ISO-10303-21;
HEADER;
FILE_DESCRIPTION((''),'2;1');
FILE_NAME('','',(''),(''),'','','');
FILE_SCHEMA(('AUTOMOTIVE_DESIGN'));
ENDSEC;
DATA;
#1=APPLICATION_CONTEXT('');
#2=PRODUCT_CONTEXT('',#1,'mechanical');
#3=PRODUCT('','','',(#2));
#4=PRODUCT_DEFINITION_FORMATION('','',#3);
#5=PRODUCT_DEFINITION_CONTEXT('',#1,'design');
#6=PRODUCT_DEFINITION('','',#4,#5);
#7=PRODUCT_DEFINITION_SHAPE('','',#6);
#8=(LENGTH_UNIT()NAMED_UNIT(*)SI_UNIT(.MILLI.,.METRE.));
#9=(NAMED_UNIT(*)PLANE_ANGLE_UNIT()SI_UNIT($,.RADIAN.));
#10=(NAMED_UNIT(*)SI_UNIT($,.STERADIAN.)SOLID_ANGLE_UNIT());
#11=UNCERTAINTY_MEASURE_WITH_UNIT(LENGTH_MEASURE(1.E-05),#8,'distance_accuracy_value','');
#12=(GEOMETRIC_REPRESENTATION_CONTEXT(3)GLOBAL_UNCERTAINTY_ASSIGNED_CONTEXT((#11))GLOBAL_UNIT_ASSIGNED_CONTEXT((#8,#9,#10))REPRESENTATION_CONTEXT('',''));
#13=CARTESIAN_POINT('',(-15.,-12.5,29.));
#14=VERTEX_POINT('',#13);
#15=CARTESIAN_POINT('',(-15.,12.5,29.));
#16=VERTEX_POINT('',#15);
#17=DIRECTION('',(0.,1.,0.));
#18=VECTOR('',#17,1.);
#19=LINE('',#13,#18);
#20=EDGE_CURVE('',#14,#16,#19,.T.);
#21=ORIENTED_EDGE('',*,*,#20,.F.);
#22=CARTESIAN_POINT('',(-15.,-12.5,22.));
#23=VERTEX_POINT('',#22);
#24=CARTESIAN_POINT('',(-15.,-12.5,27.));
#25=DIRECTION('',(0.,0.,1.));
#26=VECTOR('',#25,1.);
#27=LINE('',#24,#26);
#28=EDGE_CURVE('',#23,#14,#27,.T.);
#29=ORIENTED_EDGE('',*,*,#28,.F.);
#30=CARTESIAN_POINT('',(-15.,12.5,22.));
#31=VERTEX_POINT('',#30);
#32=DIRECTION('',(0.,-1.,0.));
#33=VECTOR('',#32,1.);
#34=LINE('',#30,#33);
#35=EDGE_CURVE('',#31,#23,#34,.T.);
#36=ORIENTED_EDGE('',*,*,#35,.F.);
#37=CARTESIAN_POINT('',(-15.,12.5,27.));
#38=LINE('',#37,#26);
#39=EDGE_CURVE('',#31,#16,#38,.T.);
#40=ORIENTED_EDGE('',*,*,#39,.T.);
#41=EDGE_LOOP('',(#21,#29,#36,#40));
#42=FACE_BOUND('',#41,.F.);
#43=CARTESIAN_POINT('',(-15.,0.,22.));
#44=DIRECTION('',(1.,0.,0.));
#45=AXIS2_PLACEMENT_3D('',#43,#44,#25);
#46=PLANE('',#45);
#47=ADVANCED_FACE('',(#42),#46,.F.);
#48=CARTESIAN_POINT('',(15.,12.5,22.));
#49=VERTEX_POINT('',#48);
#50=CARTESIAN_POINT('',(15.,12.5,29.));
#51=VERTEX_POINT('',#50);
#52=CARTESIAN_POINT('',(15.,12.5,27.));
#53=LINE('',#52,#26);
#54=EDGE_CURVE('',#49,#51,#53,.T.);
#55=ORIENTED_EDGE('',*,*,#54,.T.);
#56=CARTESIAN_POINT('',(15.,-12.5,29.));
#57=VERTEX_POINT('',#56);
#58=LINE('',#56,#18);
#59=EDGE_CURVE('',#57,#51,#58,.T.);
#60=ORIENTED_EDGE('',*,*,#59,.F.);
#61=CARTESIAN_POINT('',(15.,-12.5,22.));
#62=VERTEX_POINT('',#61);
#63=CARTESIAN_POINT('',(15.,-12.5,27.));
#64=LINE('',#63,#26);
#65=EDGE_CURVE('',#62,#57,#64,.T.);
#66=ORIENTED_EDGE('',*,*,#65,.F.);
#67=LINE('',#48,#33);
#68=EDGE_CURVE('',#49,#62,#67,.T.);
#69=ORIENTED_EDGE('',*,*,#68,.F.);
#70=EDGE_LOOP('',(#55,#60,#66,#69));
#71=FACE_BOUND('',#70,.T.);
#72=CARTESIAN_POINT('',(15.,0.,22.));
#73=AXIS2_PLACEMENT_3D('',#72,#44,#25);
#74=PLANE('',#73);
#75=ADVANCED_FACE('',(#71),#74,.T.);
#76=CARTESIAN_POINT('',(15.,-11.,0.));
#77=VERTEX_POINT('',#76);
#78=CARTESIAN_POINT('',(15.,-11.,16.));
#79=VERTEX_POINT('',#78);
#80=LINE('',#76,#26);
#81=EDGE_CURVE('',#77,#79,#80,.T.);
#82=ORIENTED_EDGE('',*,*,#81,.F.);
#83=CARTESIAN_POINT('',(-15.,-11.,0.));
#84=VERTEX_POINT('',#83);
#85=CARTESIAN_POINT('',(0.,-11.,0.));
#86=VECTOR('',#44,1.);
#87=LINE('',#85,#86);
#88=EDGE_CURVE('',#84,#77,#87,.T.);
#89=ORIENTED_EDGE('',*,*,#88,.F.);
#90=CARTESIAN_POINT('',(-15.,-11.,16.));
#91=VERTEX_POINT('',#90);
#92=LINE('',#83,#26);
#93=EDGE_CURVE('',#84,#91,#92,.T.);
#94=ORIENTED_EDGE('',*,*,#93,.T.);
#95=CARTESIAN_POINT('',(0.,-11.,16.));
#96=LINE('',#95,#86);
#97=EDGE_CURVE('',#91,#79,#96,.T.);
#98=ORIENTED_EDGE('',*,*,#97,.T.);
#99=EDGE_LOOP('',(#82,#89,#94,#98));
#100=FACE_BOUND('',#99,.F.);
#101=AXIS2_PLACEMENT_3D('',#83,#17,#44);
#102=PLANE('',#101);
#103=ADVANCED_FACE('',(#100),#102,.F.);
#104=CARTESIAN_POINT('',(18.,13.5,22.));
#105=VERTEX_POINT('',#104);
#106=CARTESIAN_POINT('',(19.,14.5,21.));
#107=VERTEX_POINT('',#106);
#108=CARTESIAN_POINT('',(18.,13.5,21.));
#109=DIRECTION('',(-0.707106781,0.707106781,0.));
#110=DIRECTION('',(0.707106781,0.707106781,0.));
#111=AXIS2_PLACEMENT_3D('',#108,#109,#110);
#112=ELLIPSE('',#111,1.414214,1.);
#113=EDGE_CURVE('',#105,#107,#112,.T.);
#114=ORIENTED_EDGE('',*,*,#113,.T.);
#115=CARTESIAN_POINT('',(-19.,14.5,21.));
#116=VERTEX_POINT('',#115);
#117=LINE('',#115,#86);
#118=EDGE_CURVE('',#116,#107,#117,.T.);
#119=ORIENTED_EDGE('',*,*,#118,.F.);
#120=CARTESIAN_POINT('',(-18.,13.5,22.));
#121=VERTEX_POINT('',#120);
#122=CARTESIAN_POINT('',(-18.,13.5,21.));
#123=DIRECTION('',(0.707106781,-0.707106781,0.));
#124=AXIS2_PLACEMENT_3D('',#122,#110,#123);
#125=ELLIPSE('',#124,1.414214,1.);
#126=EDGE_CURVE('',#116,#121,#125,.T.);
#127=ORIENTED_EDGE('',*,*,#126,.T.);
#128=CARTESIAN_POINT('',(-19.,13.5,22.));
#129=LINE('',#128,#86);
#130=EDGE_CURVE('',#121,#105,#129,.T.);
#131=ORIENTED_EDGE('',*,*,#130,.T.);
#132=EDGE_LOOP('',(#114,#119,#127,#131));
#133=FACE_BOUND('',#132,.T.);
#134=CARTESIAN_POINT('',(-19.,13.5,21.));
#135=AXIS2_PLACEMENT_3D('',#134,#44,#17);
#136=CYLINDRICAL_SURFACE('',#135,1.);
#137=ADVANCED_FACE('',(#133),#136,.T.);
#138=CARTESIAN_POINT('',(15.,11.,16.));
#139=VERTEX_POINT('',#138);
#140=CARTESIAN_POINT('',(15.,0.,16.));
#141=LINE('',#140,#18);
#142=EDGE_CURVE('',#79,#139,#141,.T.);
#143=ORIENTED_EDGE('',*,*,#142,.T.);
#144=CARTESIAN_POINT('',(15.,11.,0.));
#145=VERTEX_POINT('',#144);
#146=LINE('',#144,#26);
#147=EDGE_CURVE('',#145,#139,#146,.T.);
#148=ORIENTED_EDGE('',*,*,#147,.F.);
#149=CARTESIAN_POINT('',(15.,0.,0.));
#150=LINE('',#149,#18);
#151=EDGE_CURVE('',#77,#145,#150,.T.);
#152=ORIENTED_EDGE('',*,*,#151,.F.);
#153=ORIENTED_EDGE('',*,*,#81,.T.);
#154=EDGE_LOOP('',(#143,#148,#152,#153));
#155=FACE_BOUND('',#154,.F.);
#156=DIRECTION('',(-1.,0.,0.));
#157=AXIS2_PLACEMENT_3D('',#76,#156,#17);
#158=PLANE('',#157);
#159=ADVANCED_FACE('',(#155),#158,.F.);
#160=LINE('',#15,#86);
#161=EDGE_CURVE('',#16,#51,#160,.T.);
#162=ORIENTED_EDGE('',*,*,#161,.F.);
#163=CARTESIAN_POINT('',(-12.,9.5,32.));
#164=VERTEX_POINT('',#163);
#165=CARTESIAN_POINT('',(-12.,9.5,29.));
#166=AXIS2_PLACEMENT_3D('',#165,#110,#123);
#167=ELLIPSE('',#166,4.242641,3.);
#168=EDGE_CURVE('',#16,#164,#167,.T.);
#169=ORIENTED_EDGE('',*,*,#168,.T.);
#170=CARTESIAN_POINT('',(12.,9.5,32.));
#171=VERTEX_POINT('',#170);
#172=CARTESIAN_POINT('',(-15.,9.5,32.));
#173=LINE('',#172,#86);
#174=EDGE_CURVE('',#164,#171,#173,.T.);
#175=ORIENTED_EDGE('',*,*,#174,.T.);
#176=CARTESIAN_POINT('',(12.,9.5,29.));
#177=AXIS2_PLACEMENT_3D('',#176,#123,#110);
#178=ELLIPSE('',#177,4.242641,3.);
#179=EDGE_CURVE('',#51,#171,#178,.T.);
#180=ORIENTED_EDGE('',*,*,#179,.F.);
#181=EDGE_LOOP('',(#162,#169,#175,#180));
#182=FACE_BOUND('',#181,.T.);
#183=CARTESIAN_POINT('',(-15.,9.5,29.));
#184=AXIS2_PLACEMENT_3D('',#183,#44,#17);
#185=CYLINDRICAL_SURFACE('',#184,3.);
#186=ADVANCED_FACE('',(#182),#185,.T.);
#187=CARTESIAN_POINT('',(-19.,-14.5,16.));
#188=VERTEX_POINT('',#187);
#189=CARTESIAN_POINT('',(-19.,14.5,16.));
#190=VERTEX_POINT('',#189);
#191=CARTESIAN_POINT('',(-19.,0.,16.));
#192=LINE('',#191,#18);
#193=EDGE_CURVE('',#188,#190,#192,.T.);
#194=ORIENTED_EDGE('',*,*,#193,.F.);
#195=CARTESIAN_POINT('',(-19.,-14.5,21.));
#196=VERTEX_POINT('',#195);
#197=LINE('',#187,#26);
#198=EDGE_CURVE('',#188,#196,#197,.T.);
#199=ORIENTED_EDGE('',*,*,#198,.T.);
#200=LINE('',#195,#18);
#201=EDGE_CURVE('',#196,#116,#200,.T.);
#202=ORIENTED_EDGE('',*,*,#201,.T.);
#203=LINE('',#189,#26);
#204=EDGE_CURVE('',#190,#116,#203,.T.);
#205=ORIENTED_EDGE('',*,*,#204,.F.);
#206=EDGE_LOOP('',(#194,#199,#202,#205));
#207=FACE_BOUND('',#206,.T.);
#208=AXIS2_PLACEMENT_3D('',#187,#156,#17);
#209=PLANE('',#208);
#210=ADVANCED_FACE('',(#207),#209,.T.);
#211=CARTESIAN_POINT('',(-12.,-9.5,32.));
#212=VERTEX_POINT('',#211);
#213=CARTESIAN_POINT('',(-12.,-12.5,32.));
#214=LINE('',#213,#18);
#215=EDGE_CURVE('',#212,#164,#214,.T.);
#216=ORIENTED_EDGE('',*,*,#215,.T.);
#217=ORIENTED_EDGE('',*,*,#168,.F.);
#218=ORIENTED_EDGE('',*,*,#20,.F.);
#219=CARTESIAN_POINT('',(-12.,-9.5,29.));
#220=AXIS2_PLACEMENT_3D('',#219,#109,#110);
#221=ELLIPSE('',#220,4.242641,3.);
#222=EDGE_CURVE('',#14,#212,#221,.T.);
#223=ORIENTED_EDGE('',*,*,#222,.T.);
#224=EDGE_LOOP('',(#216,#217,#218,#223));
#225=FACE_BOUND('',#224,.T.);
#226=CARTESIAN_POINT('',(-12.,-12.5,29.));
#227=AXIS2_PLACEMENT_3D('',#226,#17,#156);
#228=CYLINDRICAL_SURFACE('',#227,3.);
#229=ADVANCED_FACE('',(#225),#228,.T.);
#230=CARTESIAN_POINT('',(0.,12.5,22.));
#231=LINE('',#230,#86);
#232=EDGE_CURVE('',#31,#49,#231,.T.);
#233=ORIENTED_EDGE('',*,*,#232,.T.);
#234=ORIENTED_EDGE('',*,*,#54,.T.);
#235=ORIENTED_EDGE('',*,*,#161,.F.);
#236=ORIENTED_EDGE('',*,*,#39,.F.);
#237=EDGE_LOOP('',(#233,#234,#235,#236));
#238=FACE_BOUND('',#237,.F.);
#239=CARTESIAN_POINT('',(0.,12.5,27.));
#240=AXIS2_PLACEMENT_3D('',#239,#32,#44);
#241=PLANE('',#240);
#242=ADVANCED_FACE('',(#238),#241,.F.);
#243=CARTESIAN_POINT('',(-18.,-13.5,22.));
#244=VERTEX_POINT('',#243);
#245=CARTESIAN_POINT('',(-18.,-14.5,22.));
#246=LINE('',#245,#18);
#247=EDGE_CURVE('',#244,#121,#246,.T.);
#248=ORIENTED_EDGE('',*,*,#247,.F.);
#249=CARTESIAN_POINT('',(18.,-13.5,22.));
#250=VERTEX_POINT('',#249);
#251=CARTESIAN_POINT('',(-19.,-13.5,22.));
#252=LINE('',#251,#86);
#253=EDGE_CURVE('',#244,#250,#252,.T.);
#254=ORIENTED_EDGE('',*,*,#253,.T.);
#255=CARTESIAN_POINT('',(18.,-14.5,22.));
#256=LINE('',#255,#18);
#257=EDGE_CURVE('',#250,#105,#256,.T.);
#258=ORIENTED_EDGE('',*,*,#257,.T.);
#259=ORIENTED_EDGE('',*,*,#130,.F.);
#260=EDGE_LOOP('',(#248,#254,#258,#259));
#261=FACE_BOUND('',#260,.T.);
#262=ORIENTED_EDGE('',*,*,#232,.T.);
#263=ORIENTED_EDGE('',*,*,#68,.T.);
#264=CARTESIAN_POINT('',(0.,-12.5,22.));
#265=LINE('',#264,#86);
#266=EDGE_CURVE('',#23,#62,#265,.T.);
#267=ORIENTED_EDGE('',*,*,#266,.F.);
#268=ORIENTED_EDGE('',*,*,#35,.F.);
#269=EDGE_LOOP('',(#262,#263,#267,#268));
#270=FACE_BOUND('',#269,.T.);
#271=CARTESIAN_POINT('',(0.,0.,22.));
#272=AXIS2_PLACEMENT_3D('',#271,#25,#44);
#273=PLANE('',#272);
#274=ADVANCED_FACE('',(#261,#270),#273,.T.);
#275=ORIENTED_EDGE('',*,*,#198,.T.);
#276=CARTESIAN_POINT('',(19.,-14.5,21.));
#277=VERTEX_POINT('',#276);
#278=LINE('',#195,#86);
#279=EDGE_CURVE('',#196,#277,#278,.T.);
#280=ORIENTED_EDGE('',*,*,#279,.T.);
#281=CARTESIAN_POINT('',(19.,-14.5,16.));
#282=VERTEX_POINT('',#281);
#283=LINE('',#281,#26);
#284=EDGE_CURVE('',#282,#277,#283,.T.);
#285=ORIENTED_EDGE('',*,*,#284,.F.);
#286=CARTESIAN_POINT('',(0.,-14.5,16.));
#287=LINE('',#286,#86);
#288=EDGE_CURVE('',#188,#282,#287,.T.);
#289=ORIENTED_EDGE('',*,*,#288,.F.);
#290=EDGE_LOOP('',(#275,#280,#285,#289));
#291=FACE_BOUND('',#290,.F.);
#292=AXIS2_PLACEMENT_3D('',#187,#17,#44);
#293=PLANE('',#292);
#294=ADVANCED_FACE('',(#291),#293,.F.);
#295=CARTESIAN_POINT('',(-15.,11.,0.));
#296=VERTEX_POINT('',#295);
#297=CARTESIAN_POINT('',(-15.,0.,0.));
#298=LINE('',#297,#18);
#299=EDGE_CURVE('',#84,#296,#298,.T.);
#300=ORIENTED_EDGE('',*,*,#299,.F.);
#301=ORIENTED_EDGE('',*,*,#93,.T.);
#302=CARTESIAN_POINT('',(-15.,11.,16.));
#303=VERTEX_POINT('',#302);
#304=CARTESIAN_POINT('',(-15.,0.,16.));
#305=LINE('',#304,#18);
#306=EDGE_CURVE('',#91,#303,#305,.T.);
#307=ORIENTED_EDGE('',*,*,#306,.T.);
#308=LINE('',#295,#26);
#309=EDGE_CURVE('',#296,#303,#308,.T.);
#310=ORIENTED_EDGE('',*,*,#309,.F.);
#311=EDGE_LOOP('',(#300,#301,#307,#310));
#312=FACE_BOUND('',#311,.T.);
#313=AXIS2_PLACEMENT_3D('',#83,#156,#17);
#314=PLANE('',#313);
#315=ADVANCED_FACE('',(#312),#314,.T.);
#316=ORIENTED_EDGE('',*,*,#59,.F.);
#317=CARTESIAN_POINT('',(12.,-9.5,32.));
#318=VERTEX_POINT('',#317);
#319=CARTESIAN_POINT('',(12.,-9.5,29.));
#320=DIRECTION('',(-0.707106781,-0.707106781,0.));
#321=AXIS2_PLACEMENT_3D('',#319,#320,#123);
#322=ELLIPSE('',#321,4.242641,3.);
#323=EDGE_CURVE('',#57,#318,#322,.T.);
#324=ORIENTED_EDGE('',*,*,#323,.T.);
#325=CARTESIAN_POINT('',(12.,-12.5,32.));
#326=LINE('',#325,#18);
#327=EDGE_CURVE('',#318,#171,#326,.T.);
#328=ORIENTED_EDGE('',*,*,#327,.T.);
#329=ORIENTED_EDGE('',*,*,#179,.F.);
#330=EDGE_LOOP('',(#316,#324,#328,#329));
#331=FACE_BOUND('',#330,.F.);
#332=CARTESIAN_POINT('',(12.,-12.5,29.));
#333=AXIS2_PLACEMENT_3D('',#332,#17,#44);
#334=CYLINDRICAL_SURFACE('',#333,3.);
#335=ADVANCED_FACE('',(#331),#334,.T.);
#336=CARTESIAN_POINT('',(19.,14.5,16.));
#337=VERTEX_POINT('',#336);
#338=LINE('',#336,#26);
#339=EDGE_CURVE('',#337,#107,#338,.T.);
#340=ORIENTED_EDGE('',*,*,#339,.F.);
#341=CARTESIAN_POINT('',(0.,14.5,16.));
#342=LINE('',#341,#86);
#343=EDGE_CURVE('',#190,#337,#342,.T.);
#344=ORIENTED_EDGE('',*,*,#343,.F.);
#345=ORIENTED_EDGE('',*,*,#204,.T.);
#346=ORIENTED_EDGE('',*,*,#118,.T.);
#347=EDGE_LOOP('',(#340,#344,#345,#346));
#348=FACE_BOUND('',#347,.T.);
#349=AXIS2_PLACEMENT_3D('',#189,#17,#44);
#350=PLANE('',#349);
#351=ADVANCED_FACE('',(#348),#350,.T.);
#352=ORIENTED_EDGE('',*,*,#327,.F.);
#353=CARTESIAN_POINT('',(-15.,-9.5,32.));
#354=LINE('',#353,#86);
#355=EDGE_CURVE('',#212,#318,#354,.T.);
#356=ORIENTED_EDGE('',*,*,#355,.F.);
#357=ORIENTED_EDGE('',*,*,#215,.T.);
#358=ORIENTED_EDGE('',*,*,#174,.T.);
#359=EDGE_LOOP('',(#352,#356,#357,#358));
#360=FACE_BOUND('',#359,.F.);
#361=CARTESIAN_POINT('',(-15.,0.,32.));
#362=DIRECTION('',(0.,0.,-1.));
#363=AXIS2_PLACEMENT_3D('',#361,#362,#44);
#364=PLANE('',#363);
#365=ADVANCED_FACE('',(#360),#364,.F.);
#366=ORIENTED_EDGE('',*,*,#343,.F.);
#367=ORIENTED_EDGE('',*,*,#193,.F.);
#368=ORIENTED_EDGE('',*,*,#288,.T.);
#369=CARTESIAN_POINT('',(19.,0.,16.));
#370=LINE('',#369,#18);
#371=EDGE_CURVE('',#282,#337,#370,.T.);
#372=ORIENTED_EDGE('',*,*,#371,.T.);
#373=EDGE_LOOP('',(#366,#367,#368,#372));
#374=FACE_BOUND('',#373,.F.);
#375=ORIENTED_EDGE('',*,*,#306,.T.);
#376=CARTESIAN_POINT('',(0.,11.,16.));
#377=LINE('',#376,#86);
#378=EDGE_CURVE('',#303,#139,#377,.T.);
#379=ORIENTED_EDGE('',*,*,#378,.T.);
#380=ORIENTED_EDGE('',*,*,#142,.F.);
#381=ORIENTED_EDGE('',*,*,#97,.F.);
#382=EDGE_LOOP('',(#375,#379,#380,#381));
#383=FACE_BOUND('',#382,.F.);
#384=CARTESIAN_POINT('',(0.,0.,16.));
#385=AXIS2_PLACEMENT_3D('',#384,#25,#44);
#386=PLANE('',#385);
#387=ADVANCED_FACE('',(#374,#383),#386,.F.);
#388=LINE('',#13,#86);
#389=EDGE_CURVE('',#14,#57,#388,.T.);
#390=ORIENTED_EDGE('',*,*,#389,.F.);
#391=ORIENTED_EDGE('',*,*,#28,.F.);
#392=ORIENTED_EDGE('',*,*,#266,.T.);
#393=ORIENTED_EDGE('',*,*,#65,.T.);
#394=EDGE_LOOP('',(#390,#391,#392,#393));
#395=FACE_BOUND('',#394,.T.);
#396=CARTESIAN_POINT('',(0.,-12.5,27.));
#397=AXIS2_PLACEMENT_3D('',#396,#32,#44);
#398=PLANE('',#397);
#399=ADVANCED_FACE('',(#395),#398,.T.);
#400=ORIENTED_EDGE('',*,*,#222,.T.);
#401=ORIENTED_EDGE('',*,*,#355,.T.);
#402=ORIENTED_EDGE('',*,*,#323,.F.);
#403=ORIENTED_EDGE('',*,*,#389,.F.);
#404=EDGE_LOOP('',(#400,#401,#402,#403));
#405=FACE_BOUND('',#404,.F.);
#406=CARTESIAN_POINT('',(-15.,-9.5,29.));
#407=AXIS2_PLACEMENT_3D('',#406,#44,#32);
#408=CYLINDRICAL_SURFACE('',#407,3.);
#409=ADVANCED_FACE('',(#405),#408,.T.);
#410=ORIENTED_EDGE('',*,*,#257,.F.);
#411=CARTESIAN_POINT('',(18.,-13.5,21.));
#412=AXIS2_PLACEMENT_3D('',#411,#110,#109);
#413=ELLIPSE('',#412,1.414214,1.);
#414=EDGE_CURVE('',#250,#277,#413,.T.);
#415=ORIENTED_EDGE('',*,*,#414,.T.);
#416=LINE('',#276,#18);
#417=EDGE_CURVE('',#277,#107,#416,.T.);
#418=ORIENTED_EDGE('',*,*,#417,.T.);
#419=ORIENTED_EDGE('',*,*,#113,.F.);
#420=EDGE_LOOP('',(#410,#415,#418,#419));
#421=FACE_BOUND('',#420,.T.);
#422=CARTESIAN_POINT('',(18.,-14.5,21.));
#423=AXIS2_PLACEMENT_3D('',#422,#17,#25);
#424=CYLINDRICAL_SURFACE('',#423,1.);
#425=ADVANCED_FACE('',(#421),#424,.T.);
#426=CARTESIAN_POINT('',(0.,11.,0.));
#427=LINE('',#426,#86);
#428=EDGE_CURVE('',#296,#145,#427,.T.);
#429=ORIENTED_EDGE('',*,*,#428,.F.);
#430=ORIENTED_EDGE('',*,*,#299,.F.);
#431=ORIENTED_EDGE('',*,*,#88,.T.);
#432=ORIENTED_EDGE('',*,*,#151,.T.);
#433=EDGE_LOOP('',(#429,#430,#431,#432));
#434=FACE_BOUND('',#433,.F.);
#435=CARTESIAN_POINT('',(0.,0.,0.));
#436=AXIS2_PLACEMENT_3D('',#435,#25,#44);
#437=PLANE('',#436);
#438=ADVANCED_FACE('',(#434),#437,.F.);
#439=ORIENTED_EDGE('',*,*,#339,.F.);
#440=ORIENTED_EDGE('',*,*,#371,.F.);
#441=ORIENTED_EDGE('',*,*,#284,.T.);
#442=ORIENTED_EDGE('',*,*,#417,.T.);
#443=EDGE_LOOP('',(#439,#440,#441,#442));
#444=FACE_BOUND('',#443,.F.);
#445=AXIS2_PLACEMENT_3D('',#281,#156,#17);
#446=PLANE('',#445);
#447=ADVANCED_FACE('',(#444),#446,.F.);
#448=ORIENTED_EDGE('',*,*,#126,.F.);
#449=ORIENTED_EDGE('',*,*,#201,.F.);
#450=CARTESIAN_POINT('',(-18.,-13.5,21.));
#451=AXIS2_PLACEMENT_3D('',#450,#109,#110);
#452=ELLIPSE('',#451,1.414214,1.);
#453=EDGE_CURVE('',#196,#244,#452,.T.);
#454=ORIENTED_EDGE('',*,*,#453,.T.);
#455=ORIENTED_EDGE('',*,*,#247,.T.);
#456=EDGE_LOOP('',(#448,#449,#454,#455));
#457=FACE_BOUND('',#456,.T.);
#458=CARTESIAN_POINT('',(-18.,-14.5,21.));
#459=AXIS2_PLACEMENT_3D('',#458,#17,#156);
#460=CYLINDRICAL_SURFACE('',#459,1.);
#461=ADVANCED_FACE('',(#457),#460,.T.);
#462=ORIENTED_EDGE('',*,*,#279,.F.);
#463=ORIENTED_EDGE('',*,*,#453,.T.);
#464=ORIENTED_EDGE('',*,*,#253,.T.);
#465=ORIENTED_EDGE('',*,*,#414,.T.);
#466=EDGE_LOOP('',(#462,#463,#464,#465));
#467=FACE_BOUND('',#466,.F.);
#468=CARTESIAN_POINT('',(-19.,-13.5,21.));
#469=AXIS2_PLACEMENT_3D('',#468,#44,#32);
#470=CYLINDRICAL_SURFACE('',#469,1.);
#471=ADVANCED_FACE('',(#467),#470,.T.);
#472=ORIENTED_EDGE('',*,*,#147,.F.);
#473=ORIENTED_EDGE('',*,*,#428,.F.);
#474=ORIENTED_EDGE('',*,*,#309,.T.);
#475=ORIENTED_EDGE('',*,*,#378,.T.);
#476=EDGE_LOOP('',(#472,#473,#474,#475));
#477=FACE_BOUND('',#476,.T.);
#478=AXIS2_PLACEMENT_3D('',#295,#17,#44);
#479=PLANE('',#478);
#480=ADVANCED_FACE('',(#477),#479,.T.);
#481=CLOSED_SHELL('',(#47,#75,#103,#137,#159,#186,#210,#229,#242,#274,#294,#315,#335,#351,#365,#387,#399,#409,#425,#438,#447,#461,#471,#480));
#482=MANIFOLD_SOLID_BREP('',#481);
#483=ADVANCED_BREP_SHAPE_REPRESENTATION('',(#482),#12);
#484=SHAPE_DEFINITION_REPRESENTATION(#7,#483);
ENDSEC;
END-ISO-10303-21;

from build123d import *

# Parameters (mm, degrees)
F0_W     = 30
F0_H     = 22
F1_DEPTH = 16
F2_W     = 38
F2_H     = 29
F2_W_2   = 30
F2_H_2   = 22
F3_DEPTH = 6
F4_R     = 1
F5_W     = 30
F5_H     = 10
F6_DEPTH = 12.5
F7_R     = 3


with BuildPart() as f1:
    # F0 (on Top) → F1 (new body)
    with BuildSketch(Plane.XY):
        Rectangle(F0_W, F0_H)
    extrude(amount=F1_DEPTH)

    # F2 (on face) → F3 (join)
    with BuildSketch(Plane.XY.offset(16)):
        Rectangle(F2_W, F2_H)
        Rectangle(F2_W_2, F2_H_2, mode=Mode.SUBTRACT)
        Rectangle(F2_W_2, F2_H_2)
    extrude(amount=F3_DEPTH)

    # F4
    f4_edges = [f1.edges().sort_by_distance(p)[0] for p in [
        (19, 0, 22),
        (0, 14.5, 22),
        (-19, 0, 22),
        (0, -14.5, 22),
    ]]
    fillet(f4_edges, radius=F4_R)

    # F5 (on Front) → F6 (join, symmetric)
    with BuildSketch(Plane.XZ):
        with Locations((0, 27)):
            Rectangle(F5_W, F5_H)
    extrude(amount=F6_DEPTH, both=True)

    # F7
    f7_edges = [f1.edges().sort_by_distance(p)[0] for p in [
        (0, 12.5, 32),
        (-15, 0, 32),
        (0, -12.5, 32),
        (15, 0, 32),
    ]]
    fillet(f7_edges, radius=F7_R)


solid = f1.part
